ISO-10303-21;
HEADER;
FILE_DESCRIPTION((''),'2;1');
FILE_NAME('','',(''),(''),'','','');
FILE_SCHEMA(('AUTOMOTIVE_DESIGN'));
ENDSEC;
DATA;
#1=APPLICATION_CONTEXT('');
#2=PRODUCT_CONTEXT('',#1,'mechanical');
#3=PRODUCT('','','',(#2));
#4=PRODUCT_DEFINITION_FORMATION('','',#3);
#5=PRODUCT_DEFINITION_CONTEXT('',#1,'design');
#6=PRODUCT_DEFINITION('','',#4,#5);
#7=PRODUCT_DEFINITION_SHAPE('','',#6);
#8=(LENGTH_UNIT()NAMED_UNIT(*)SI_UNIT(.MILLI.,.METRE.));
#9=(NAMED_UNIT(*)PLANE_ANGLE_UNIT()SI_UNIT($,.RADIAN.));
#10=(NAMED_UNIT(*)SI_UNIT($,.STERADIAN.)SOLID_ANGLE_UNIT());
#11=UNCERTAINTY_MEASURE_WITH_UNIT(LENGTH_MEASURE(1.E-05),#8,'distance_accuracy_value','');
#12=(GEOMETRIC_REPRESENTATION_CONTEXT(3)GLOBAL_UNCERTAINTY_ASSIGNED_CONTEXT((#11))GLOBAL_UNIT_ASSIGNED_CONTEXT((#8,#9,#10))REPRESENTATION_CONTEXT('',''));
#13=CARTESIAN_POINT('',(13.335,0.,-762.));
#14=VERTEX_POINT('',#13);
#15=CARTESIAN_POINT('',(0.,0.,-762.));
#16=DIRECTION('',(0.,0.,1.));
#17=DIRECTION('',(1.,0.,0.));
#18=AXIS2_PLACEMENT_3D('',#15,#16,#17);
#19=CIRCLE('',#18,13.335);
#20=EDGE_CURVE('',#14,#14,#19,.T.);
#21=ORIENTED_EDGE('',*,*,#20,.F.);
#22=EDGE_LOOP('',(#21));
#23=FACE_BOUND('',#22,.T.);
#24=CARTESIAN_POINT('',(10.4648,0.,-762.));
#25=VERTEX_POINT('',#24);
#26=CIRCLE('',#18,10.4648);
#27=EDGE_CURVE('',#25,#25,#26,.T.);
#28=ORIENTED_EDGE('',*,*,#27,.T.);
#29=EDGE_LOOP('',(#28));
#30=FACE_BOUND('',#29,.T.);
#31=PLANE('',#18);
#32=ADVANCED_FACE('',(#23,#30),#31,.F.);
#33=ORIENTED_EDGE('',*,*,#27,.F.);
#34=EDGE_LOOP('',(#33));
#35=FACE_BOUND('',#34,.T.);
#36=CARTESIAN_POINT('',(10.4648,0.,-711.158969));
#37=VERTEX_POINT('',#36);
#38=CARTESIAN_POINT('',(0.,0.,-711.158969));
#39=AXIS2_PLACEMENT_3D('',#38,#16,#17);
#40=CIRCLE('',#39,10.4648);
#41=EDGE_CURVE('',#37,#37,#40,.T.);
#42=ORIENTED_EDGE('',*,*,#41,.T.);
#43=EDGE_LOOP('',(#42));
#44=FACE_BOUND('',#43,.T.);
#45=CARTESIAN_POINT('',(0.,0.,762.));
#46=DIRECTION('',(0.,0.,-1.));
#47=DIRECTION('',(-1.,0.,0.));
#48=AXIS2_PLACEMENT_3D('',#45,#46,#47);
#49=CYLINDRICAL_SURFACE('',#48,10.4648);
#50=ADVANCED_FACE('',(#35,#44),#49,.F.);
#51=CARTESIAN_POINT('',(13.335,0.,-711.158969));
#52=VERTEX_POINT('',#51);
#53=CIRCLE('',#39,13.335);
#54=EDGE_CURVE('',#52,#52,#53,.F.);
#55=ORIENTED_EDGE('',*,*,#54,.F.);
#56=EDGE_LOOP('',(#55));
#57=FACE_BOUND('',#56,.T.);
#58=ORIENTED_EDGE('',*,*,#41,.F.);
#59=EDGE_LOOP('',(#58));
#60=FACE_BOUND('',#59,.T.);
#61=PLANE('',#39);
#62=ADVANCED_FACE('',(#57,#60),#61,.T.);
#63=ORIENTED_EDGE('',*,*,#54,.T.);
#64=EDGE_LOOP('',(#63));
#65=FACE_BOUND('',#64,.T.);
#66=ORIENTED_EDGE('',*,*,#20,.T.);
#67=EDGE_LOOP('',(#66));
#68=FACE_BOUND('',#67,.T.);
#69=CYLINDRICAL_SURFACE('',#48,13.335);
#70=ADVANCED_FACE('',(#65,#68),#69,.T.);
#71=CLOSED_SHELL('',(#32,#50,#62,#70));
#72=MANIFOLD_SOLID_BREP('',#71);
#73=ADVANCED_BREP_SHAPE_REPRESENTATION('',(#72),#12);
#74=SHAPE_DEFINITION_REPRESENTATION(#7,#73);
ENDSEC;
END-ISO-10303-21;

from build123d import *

# Parameters (mm, degrees)
SKETCH3_R                = 13.335
SKETCH3_R_2              = 10.4648
BOSS_EXTRUDE1_DEPTH      = 762
BOSS_EXTRUDE1_DEPTH_BACK = 762
SKETCH4_R                = 13.335
CUT_EXTRUDE2_DEPTH       = 1473.158969


with BuildPart() as part:
    # Sketch3 → Boss-Extrude1 (new body, two sides)
    with BuildSketch(Plane.XY) as boss_extrude1_sk:
        Circle(SKETCH3_R)
        Circle(SKETCH3_R_2, mode=Mode.SUBTRACT)
    extrude(amount=BOSS_EXTRUDE1_DEPTH)
    extrude(boss_extrude1_sk.sketch, amount=-BOSS_EXTRUDE1_DEPTH_BACK)

    # Sketch4 → Cut-Extrude2 (cut)
    with BuildSketch(Plane.XY.offset(762)):
        Circle(SKETCH4_R)
    extrude(amount=-CUT_EXTRUDE2_DEPTH, mode=Mode.SUBTRACT)


solid = part.part
